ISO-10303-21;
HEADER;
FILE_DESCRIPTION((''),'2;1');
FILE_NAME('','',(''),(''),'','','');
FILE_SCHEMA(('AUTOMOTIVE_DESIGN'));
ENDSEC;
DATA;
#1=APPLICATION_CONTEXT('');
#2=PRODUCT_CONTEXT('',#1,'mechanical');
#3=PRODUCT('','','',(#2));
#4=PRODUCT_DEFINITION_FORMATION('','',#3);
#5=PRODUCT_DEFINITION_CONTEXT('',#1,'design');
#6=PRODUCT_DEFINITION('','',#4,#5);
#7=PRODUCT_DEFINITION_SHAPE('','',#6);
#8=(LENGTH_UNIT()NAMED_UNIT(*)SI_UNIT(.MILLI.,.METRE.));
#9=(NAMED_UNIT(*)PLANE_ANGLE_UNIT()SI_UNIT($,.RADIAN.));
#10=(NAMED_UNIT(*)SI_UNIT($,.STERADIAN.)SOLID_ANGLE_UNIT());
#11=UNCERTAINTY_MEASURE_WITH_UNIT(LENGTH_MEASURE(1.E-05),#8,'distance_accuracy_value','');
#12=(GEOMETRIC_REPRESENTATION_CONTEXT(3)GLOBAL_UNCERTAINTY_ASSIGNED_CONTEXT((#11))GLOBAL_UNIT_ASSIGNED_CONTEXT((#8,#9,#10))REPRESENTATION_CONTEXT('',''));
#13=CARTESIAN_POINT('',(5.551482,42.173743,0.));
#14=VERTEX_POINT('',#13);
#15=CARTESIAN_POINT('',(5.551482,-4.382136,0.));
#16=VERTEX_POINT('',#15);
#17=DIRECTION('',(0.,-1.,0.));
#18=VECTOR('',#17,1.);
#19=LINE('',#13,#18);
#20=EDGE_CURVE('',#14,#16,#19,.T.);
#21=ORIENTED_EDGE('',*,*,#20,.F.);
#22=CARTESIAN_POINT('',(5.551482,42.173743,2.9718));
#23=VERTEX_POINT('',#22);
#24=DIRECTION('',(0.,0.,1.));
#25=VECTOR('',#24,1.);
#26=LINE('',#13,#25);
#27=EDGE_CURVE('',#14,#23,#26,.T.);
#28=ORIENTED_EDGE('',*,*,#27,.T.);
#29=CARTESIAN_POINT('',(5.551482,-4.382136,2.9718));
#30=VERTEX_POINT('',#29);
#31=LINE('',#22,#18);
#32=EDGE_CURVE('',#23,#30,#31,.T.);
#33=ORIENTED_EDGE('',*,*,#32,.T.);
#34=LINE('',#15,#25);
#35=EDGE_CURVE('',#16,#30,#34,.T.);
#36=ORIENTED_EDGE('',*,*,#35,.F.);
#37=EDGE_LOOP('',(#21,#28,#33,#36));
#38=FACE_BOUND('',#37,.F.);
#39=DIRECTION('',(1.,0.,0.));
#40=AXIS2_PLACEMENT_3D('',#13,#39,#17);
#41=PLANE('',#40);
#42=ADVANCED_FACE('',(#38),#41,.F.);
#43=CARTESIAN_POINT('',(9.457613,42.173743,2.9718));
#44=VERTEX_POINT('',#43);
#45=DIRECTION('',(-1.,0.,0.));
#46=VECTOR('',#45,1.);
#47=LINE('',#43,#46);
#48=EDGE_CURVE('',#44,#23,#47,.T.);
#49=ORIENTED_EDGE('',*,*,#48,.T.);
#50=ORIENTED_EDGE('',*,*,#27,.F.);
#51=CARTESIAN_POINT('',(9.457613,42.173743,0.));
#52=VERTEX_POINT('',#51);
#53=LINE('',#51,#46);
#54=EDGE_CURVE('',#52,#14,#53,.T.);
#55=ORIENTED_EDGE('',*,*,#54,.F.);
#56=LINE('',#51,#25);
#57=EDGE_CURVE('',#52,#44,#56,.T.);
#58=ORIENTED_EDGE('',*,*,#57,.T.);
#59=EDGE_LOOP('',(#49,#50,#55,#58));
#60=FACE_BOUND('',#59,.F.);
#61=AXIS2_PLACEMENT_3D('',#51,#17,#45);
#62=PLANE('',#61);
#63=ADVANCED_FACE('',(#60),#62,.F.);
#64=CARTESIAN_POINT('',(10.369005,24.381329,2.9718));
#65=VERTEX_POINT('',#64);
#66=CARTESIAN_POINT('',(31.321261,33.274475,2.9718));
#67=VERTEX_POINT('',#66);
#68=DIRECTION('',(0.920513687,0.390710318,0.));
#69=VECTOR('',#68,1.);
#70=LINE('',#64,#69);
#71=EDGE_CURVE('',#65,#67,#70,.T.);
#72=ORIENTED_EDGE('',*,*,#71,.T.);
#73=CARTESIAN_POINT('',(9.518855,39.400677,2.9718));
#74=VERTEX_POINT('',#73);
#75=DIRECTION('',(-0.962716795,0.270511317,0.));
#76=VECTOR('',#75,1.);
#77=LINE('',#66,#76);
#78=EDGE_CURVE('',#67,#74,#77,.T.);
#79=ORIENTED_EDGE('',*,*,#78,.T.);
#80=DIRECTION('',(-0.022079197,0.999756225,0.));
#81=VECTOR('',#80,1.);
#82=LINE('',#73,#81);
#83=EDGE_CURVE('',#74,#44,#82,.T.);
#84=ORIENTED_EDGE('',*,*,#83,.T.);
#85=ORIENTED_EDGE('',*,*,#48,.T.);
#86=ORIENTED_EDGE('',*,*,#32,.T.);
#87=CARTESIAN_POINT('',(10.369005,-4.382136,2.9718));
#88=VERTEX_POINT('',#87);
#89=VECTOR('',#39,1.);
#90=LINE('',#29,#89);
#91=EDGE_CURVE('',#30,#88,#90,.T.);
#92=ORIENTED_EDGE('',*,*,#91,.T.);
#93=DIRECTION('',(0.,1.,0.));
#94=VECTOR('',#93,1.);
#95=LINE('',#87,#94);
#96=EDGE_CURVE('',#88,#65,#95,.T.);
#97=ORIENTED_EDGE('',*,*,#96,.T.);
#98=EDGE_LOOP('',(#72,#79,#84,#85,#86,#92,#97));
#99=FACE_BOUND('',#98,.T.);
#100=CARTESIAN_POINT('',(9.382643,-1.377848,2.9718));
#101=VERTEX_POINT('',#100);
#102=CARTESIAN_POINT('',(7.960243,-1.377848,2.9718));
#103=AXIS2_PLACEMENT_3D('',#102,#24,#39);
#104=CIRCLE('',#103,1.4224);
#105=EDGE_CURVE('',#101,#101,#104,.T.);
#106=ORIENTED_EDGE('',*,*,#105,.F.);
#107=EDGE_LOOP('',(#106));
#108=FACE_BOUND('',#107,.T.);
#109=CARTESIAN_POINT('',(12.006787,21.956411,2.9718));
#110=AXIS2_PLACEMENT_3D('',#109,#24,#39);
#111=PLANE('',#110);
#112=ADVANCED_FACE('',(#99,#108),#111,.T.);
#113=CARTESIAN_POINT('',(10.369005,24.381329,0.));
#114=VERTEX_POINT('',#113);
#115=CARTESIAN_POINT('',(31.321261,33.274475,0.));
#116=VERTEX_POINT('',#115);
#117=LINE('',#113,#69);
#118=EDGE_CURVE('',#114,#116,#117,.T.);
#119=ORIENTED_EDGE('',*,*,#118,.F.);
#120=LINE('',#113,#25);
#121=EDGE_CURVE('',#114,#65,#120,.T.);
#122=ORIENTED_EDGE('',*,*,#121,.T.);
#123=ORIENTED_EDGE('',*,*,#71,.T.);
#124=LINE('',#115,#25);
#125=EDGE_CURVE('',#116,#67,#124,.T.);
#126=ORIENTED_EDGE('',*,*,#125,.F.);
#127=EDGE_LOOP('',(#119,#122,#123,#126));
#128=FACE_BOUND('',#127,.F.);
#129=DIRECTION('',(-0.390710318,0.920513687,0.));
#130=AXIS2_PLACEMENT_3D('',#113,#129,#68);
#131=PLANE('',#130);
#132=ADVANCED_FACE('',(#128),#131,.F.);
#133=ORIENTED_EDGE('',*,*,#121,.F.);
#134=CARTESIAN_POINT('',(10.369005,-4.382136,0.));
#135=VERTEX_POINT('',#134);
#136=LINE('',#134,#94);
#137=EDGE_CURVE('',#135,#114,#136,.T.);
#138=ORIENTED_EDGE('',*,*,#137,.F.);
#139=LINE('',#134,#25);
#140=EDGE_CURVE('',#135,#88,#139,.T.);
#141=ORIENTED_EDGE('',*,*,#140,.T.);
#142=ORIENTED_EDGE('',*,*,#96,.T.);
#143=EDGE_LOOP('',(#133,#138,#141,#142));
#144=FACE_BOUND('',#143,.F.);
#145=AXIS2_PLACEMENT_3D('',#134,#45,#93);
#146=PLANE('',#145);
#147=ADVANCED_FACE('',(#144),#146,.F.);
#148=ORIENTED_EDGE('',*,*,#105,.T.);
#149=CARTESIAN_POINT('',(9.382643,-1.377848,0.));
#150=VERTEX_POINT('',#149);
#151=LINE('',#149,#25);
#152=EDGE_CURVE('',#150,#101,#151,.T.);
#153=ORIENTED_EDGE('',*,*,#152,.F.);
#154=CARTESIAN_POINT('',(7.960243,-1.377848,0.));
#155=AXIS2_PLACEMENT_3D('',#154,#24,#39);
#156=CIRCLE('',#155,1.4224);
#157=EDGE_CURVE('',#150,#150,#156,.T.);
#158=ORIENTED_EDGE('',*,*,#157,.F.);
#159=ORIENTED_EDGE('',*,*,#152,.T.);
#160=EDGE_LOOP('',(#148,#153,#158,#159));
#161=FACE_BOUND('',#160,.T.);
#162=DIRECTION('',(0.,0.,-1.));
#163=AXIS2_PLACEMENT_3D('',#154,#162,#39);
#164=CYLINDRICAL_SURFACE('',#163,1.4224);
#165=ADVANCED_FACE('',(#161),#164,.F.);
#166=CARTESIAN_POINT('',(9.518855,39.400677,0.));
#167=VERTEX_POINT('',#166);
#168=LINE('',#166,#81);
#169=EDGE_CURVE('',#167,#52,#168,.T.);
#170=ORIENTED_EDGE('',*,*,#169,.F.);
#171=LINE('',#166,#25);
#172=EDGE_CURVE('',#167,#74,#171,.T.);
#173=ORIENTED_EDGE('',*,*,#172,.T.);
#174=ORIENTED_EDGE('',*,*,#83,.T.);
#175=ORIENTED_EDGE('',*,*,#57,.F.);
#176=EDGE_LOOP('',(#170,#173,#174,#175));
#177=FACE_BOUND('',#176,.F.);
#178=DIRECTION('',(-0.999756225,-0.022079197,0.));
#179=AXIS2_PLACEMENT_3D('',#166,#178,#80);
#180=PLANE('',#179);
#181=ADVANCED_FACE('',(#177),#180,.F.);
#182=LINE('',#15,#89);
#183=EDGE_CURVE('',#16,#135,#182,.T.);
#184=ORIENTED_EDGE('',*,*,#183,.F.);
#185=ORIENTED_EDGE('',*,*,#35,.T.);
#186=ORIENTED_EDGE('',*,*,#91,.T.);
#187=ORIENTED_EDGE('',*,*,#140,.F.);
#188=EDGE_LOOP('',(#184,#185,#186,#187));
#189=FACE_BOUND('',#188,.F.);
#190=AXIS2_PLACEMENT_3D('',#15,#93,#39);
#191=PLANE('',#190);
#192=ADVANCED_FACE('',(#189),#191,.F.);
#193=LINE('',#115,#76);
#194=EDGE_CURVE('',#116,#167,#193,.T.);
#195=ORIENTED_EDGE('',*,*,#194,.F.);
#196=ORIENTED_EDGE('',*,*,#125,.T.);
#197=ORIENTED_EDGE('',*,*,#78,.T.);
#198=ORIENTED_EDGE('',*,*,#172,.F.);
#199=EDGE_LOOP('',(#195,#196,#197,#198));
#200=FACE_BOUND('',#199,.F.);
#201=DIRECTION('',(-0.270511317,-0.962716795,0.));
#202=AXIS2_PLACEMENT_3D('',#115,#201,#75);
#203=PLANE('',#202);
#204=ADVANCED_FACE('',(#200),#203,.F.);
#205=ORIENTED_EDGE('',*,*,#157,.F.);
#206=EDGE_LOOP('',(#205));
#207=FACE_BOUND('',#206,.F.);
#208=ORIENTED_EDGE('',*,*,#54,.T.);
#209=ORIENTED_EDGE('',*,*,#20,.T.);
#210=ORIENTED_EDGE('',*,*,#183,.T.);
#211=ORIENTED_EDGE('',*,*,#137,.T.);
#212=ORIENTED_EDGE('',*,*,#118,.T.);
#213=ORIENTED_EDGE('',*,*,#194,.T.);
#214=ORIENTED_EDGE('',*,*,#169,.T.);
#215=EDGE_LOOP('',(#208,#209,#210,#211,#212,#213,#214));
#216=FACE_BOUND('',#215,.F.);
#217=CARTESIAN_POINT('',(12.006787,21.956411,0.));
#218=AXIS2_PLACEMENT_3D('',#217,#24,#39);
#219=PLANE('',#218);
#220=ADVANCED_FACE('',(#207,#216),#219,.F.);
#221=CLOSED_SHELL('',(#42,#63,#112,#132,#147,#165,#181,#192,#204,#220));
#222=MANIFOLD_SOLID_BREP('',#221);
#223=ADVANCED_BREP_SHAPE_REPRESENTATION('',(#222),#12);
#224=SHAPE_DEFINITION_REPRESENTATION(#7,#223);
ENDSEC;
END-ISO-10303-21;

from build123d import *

# Parameters (mm, degrees)
F0_R     = 1.4224
F1_DEPTH = 2.9718


with BuildPart() as f1:
    # F0 (on Top) → F1 (new body)
    with BuildSketch(Plane.XY):
        Polygon((5.551482, -4.382136), (10.369005, -4.382136), (10.369005, 24.381329), (31.321261, 33.274475), (9.518855, 39.400677), (9.457613, 42.173743), (5.551482, 42.173743), (5.551482, 39.400677), align=None)
        with Locations((7.960243, -1.377848)):
            Circle(F0_R, mode=Mode.SUBTRACT)
    extrude(amount=F1_DEPTH)


solid = f1.part
